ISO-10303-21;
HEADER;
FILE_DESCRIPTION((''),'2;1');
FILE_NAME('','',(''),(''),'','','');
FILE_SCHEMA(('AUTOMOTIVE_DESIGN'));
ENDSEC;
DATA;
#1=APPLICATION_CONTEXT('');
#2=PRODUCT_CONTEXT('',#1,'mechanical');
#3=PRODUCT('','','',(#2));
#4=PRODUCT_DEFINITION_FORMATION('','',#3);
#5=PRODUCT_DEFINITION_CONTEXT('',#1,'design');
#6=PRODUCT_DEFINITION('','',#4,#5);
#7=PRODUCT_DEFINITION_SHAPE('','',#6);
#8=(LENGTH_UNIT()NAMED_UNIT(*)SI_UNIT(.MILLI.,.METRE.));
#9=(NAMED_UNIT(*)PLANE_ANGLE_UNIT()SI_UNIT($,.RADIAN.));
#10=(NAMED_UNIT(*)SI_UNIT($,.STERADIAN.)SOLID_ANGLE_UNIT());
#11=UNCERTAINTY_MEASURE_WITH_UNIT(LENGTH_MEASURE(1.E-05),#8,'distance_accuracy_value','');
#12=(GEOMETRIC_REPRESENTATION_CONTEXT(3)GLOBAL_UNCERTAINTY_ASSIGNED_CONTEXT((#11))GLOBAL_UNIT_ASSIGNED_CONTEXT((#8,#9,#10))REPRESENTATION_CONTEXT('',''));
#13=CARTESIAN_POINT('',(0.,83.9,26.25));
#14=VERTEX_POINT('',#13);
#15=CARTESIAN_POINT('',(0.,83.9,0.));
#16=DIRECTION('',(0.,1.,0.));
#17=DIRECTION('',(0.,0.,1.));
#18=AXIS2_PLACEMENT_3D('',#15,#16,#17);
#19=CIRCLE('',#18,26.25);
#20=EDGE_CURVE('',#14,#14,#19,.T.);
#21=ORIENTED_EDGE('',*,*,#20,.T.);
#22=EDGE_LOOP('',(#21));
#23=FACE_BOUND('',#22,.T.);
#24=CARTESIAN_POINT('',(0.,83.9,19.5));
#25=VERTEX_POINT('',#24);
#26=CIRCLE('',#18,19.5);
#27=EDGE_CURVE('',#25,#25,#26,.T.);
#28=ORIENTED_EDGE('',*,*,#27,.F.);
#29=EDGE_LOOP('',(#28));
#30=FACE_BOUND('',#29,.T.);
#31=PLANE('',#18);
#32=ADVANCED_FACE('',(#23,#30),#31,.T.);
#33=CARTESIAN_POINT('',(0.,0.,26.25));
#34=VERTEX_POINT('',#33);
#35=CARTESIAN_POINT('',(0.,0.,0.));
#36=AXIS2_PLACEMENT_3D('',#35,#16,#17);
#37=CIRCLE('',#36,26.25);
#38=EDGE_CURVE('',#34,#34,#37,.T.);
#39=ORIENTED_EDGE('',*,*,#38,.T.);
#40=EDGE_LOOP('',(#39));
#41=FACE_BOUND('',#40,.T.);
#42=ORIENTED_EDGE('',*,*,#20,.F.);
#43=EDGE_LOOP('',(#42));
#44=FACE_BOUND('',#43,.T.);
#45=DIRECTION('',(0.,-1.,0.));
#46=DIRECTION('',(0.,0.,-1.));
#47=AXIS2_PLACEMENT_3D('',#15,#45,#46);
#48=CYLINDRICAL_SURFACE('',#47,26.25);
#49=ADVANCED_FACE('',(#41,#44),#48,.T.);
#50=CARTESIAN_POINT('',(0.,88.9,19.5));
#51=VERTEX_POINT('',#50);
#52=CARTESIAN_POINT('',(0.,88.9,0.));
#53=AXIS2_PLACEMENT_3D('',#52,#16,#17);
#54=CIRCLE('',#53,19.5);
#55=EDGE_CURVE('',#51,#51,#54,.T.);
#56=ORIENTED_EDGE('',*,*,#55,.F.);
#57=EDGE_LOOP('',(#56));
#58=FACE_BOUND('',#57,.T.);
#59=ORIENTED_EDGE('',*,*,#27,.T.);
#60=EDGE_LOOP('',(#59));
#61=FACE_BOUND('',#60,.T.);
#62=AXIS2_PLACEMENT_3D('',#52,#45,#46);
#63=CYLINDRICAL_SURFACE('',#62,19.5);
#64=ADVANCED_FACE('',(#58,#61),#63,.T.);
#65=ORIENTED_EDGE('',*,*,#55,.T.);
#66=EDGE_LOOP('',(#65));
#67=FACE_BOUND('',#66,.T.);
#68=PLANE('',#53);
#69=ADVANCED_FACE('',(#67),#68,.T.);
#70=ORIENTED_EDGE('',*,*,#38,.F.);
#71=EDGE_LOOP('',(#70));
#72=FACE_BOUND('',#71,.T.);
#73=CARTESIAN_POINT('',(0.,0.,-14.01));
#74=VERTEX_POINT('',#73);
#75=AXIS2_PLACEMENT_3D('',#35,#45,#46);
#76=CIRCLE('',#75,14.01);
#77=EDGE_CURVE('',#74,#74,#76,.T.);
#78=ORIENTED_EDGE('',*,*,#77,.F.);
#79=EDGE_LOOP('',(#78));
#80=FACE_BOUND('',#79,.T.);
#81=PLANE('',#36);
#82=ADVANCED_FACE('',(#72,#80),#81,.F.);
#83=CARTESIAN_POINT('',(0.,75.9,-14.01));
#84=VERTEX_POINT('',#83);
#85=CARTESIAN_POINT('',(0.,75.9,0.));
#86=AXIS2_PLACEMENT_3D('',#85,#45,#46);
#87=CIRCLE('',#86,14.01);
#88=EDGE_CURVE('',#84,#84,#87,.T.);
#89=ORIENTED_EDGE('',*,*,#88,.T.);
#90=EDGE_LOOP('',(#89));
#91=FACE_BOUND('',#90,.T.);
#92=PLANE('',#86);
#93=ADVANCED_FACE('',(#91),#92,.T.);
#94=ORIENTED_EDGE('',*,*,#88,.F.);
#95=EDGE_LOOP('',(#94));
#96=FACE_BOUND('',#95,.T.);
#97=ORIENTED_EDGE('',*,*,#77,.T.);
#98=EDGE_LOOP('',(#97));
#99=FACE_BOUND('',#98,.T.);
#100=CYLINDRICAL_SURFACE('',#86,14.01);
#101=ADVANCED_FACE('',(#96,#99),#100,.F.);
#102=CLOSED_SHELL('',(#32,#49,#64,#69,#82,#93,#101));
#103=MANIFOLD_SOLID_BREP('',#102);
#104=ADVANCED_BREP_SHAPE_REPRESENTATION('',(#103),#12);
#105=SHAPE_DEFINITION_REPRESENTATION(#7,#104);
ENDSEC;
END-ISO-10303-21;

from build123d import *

# Parameters (mm, degrees)
SKETCH1_R           = 26.25
BOSS_EXTRUDE1_DEPTH = 83.9
SKETCH2_R           = 14.01
CUT_EXTRUDE1_DEPTH  = 75.9
SKETCH4_R           = 19.5
BOSS_EXTRUDE2_DEPTH = 5


with BuildPart() as part:
    # Sketch1 → Boss-Extrude1 (new body)
    with BuildSketch(Plane(origin=(0, 0, 0), x_dir=(1, 0, 0), z_dir=(0, 1, 0))):
        with Locations(Location((0, 0, 0), (0, 0, 270))):
            Circle(SKETCH1_R)
    extrude(amount=BOSS_EXTRUDE1_DEPTH)

    # Sketch2 → Cut-Extrude1 (cut)
    with BuildSketch(Plane.XZ):
        with Locations(Location((0, 0, 0), (0, 0, 270))):
            Circle(SKETCH2_R)
    extrude(amount=-CUT_EXTRUDE1_DEPTH, mode=Mode.SUBTRACT)

    # Sketch4 → Boss-Extrude2 (add)
    with BuildSketch(Plane(origin=(0, 83.9, 0), x_dir=(1, 0, 0), z_dir=(0, 1, 0))):
        with Locations(Location((0, 0, 0), (0, 0, 270))):
            Circle(SKETCH4_R)
    extrude(amount=BOSS_EXTRUDE2_DEPTH)


solid = part.part
